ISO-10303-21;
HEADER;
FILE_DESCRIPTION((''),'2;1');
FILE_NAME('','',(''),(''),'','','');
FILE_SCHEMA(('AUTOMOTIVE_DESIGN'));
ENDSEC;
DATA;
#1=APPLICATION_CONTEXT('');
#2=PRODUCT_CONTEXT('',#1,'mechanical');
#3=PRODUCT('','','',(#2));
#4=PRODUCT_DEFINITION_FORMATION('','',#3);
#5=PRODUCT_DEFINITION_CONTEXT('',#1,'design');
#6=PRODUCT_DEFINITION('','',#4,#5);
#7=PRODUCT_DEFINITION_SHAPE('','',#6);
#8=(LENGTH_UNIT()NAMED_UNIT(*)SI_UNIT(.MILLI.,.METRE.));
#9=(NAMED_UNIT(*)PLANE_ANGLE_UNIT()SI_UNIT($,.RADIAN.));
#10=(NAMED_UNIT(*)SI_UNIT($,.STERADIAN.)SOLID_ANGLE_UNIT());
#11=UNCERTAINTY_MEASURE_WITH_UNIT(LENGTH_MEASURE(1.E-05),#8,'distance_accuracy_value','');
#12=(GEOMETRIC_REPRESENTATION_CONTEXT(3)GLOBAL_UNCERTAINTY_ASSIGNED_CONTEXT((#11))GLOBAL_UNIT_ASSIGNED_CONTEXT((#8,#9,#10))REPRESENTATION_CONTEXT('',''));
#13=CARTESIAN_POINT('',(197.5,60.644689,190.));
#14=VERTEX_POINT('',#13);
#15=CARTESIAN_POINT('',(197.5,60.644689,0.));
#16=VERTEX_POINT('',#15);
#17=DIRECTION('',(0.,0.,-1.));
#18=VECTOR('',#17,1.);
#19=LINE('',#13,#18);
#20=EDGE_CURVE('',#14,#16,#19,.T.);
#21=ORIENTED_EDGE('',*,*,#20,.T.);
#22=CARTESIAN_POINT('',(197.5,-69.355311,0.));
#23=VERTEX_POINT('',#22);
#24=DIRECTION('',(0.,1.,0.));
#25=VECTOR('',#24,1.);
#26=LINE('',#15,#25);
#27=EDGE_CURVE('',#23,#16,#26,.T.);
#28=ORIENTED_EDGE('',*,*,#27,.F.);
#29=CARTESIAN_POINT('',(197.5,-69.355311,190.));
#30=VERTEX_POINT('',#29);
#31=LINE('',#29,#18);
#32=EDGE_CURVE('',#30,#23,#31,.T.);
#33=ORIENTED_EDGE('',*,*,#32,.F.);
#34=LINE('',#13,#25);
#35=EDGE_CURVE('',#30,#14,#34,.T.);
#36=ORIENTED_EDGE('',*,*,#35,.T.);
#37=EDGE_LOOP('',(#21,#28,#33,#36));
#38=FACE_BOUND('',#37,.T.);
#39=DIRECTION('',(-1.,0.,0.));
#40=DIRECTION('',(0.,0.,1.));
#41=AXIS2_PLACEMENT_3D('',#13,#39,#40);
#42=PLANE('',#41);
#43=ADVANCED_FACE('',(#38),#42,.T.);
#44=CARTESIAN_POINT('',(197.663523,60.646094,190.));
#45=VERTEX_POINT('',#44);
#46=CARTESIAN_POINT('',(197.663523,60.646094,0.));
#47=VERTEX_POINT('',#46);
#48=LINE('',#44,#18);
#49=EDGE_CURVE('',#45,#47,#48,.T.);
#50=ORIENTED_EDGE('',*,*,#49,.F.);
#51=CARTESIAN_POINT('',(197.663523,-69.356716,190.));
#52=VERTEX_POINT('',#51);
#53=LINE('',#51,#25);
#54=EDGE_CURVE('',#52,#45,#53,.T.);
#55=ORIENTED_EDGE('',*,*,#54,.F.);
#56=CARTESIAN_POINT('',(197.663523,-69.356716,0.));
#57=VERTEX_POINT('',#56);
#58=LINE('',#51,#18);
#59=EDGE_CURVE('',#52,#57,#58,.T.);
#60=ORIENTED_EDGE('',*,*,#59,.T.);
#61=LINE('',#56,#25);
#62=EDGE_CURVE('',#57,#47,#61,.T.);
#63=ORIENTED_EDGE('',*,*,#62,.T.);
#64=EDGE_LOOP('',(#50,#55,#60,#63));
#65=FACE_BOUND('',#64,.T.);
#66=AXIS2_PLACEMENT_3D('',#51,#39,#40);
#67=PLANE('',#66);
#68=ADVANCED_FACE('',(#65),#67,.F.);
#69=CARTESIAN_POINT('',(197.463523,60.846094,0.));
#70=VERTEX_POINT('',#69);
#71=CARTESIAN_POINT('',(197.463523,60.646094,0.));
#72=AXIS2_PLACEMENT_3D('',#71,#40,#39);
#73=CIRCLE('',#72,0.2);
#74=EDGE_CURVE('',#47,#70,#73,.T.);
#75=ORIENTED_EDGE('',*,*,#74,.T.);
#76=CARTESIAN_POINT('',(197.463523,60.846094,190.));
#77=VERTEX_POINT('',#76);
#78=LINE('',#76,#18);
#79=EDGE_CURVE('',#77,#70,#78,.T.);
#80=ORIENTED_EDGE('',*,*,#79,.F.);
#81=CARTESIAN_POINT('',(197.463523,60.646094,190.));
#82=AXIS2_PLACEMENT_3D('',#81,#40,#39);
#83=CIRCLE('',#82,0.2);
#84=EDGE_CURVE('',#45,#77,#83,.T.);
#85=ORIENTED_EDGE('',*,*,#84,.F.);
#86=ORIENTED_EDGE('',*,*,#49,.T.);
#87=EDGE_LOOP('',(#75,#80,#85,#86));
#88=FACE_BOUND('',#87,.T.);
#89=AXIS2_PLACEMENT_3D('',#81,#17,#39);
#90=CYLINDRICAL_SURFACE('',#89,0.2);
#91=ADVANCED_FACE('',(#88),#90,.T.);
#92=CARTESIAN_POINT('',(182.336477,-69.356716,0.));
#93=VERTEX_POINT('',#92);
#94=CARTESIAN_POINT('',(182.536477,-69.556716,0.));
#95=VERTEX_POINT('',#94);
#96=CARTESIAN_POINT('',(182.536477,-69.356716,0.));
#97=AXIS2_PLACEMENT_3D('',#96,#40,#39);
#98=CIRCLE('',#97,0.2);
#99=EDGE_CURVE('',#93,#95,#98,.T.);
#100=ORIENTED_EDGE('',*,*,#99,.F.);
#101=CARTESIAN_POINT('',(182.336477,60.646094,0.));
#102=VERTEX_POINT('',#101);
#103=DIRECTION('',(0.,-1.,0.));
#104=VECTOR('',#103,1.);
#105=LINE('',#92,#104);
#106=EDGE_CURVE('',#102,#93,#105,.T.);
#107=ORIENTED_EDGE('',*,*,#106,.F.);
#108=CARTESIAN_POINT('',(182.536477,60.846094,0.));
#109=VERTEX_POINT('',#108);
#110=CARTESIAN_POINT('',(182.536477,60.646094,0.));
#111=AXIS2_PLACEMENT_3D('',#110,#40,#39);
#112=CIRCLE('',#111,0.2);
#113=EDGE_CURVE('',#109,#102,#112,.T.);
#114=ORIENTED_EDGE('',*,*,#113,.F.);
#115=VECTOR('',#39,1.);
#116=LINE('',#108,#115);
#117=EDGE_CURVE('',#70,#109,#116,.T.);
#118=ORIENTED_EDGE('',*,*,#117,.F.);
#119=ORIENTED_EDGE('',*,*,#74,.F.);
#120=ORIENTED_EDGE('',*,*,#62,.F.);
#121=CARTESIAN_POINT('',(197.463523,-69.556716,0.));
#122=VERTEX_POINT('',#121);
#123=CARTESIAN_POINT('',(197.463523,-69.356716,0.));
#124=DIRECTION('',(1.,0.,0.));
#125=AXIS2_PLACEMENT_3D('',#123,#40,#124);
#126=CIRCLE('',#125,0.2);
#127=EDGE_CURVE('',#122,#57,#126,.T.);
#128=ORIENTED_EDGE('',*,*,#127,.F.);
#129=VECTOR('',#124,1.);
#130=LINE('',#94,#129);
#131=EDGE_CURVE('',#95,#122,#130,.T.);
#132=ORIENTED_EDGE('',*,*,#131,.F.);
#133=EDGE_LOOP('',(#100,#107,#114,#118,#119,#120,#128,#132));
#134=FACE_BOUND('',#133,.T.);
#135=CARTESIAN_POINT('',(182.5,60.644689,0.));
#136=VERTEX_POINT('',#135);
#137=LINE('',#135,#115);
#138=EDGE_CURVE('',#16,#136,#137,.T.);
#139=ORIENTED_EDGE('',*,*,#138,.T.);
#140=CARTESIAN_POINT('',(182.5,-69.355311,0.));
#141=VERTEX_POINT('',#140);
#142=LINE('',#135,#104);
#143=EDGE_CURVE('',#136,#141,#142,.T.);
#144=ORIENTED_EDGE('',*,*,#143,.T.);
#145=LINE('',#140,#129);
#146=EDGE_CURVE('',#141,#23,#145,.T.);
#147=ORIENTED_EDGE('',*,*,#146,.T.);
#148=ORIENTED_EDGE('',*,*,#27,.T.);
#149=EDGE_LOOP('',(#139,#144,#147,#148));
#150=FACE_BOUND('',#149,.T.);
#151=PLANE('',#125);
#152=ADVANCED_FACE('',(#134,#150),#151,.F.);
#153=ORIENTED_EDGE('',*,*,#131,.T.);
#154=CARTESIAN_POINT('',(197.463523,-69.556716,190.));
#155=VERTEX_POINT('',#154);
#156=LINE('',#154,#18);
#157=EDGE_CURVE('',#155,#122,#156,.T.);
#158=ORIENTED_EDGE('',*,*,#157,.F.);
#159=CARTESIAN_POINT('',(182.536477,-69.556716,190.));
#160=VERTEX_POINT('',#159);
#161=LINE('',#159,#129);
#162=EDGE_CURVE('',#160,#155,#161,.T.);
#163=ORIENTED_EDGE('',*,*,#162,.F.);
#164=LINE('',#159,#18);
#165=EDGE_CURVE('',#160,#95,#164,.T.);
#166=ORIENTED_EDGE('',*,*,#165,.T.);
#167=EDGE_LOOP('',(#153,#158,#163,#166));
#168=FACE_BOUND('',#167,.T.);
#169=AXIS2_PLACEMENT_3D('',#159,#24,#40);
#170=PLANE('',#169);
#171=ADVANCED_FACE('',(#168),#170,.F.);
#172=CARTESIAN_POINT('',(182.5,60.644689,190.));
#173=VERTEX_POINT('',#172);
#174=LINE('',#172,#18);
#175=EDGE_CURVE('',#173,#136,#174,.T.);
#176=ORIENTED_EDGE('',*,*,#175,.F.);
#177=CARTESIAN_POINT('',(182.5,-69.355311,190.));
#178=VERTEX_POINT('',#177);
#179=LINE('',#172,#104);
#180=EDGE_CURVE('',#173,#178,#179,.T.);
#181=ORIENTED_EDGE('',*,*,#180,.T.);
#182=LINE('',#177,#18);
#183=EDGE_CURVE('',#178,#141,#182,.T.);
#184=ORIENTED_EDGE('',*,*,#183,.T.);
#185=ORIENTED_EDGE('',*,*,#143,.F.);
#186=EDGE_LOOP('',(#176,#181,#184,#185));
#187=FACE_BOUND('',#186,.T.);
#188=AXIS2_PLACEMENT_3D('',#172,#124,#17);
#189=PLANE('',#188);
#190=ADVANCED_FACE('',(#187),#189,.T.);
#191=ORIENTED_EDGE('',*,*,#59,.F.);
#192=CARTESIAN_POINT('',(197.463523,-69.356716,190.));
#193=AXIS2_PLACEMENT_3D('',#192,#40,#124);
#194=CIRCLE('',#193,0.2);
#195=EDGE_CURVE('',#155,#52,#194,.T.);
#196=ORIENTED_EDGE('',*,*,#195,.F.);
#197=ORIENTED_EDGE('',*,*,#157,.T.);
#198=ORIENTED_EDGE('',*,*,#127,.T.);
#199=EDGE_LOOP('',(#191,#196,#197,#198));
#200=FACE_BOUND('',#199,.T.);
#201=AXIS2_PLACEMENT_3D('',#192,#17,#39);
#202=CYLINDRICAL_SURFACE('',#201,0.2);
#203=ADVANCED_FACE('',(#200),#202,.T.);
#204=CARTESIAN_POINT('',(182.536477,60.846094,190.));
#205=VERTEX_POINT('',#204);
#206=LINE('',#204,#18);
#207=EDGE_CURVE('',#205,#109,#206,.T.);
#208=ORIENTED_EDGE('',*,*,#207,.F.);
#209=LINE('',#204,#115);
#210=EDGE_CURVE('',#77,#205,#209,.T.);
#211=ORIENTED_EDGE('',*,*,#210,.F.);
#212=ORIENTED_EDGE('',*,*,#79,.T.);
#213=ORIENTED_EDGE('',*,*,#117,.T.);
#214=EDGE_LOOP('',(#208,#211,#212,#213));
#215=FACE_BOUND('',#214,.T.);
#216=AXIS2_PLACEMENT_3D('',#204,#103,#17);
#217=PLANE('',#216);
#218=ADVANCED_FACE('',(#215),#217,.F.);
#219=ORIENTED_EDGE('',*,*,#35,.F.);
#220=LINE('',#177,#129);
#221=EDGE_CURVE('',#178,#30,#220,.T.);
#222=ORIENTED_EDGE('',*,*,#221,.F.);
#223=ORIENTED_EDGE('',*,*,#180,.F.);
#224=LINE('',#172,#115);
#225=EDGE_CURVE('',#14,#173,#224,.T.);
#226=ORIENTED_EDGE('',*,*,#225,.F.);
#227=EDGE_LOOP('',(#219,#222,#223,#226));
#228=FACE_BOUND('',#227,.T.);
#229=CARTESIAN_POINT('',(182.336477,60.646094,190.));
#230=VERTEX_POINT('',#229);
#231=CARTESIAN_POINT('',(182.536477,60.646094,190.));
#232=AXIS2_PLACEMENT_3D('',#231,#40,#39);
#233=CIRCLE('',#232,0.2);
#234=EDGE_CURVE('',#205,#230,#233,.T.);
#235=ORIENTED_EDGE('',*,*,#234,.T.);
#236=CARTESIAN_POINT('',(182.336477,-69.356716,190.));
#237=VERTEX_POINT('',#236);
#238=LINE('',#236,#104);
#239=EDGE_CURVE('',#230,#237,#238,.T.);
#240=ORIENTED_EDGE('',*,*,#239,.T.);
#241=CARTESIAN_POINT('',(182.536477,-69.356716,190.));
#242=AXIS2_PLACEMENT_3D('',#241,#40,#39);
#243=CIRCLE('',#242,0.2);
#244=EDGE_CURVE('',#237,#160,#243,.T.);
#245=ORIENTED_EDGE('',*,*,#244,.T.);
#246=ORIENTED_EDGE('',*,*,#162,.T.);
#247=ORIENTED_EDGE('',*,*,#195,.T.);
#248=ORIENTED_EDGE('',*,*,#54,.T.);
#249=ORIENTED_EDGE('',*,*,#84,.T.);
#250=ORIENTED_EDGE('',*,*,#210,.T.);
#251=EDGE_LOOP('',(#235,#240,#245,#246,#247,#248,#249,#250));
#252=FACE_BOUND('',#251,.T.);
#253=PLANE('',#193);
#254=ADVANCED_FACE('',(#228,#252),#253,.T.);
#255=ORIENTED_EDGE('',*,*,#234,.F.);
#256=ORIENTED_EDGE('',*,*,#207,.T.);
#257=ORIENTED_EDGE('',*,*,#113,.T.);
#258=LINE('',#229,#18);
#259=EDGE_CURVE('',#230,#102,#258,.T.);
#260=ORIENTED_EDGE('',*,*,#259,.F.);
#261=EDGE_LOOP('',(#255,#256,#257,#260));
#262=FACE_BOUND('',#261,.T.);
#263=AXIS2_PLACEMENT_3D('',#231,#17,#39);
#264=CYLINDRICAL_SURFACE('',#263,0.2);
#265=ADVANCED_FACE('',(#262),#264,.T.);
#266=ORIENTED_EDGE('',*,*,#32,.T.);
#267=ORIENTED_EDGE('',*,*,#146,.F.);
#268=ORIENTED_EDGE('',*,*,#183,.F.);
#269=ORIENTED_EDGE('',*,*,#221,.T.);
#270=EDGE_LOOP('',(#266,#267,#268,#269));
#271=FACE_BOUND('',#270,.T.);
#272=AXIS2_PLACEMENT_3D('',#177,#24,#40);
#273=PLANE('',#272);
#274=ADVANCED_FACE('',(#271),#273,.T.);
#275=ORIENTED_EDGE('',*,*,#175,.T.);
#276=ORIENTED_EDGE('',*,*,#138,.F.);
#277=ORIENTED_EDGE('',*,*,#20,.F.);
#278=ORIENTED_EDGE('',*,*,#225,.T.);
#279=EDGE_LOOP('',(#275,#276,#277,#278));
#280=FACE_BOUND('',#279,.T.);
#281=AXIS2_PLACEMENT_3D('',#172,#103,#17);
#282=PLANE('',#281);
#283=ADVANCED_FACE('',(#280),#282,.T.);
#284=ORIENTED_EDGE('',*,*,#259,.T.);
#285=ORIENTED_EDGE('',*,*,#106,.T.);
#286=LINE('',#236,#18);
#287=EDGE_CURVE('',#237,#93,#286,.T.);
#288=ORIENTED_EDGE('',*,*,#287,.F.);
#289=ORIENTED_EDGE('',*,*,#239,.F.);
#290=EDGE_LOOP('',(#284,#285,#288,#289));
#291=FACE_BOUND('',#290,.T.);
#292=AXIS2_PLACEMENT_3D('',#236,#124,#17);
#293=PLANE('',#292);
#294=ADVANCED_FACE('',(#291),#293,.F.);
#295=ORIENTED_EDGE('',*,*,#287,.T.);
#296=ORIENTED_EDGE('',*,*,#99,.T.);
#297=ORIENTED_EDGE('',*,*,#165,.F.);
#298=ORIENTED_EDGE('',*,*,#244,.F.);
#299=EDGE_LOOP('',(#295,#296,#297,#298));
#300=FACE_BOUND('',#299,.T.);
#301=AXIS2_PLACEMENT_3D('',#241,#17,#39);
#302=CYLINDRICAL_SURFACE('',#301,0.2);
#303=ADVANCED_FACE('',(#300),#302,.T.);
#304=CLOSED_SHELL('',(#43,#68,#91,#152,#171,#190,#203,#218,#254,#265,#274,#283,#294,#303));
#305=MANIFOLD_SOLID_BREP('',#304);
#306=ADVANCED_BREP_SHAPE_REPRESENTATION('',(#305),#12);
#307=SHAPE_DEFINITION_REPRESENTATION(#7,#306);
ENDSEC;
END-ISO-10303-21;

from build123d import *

# Parameters (mm, degrees)
ESQUISSE1_W        = 15
ESQUISSE1_H        = 130
BOSS_EXTRU_1_DEPTH = 190


with BuildPart() as part:
    # Esquisse1 → Boss.-Extru.1 (new body)
    with BuildSketch(Plane.XY):
        with BuildLine():
            Line((182.536477112, -69.556716073), (197.463522888, -69.556716073))
            ThreePointArc((197.463522888, -69.556716073), (197.604944244, -69.498137429), (197.663522888, -69.356716073))
            Line((197.663522888, -69.356716073), (197.663522888, 60.646093627))
            ThreePointArc((197.663522888, 60.646093627), (197.604944244, 60.787514983), (197.463522888, 60.846093627))
            Line((197.463522888, 60.846093627), (182.536477112, 60.846093627))
            ThreePointArc((182.536477112, 60.846093627), (182.395055756, 60.787514983), (182.336477112, 60.646093627))
            Line((182.336477112, 60.646093627), (182.336477112, -69.356716073))
            ThreePointArc((182.336477112, -69.356716073), (182.395055756, -69.498137429), (182.536477112, -69.556716073))
        make_face()
        with Locations((190, -4.355311223)):
            Rectangle(ESQUISSE1_W, ESQUISSE1_H, mode=Mode.SUBTRACT)
    extrude(amount=BOSS_EXTRU_1_DEPTH)


solid = part.part
